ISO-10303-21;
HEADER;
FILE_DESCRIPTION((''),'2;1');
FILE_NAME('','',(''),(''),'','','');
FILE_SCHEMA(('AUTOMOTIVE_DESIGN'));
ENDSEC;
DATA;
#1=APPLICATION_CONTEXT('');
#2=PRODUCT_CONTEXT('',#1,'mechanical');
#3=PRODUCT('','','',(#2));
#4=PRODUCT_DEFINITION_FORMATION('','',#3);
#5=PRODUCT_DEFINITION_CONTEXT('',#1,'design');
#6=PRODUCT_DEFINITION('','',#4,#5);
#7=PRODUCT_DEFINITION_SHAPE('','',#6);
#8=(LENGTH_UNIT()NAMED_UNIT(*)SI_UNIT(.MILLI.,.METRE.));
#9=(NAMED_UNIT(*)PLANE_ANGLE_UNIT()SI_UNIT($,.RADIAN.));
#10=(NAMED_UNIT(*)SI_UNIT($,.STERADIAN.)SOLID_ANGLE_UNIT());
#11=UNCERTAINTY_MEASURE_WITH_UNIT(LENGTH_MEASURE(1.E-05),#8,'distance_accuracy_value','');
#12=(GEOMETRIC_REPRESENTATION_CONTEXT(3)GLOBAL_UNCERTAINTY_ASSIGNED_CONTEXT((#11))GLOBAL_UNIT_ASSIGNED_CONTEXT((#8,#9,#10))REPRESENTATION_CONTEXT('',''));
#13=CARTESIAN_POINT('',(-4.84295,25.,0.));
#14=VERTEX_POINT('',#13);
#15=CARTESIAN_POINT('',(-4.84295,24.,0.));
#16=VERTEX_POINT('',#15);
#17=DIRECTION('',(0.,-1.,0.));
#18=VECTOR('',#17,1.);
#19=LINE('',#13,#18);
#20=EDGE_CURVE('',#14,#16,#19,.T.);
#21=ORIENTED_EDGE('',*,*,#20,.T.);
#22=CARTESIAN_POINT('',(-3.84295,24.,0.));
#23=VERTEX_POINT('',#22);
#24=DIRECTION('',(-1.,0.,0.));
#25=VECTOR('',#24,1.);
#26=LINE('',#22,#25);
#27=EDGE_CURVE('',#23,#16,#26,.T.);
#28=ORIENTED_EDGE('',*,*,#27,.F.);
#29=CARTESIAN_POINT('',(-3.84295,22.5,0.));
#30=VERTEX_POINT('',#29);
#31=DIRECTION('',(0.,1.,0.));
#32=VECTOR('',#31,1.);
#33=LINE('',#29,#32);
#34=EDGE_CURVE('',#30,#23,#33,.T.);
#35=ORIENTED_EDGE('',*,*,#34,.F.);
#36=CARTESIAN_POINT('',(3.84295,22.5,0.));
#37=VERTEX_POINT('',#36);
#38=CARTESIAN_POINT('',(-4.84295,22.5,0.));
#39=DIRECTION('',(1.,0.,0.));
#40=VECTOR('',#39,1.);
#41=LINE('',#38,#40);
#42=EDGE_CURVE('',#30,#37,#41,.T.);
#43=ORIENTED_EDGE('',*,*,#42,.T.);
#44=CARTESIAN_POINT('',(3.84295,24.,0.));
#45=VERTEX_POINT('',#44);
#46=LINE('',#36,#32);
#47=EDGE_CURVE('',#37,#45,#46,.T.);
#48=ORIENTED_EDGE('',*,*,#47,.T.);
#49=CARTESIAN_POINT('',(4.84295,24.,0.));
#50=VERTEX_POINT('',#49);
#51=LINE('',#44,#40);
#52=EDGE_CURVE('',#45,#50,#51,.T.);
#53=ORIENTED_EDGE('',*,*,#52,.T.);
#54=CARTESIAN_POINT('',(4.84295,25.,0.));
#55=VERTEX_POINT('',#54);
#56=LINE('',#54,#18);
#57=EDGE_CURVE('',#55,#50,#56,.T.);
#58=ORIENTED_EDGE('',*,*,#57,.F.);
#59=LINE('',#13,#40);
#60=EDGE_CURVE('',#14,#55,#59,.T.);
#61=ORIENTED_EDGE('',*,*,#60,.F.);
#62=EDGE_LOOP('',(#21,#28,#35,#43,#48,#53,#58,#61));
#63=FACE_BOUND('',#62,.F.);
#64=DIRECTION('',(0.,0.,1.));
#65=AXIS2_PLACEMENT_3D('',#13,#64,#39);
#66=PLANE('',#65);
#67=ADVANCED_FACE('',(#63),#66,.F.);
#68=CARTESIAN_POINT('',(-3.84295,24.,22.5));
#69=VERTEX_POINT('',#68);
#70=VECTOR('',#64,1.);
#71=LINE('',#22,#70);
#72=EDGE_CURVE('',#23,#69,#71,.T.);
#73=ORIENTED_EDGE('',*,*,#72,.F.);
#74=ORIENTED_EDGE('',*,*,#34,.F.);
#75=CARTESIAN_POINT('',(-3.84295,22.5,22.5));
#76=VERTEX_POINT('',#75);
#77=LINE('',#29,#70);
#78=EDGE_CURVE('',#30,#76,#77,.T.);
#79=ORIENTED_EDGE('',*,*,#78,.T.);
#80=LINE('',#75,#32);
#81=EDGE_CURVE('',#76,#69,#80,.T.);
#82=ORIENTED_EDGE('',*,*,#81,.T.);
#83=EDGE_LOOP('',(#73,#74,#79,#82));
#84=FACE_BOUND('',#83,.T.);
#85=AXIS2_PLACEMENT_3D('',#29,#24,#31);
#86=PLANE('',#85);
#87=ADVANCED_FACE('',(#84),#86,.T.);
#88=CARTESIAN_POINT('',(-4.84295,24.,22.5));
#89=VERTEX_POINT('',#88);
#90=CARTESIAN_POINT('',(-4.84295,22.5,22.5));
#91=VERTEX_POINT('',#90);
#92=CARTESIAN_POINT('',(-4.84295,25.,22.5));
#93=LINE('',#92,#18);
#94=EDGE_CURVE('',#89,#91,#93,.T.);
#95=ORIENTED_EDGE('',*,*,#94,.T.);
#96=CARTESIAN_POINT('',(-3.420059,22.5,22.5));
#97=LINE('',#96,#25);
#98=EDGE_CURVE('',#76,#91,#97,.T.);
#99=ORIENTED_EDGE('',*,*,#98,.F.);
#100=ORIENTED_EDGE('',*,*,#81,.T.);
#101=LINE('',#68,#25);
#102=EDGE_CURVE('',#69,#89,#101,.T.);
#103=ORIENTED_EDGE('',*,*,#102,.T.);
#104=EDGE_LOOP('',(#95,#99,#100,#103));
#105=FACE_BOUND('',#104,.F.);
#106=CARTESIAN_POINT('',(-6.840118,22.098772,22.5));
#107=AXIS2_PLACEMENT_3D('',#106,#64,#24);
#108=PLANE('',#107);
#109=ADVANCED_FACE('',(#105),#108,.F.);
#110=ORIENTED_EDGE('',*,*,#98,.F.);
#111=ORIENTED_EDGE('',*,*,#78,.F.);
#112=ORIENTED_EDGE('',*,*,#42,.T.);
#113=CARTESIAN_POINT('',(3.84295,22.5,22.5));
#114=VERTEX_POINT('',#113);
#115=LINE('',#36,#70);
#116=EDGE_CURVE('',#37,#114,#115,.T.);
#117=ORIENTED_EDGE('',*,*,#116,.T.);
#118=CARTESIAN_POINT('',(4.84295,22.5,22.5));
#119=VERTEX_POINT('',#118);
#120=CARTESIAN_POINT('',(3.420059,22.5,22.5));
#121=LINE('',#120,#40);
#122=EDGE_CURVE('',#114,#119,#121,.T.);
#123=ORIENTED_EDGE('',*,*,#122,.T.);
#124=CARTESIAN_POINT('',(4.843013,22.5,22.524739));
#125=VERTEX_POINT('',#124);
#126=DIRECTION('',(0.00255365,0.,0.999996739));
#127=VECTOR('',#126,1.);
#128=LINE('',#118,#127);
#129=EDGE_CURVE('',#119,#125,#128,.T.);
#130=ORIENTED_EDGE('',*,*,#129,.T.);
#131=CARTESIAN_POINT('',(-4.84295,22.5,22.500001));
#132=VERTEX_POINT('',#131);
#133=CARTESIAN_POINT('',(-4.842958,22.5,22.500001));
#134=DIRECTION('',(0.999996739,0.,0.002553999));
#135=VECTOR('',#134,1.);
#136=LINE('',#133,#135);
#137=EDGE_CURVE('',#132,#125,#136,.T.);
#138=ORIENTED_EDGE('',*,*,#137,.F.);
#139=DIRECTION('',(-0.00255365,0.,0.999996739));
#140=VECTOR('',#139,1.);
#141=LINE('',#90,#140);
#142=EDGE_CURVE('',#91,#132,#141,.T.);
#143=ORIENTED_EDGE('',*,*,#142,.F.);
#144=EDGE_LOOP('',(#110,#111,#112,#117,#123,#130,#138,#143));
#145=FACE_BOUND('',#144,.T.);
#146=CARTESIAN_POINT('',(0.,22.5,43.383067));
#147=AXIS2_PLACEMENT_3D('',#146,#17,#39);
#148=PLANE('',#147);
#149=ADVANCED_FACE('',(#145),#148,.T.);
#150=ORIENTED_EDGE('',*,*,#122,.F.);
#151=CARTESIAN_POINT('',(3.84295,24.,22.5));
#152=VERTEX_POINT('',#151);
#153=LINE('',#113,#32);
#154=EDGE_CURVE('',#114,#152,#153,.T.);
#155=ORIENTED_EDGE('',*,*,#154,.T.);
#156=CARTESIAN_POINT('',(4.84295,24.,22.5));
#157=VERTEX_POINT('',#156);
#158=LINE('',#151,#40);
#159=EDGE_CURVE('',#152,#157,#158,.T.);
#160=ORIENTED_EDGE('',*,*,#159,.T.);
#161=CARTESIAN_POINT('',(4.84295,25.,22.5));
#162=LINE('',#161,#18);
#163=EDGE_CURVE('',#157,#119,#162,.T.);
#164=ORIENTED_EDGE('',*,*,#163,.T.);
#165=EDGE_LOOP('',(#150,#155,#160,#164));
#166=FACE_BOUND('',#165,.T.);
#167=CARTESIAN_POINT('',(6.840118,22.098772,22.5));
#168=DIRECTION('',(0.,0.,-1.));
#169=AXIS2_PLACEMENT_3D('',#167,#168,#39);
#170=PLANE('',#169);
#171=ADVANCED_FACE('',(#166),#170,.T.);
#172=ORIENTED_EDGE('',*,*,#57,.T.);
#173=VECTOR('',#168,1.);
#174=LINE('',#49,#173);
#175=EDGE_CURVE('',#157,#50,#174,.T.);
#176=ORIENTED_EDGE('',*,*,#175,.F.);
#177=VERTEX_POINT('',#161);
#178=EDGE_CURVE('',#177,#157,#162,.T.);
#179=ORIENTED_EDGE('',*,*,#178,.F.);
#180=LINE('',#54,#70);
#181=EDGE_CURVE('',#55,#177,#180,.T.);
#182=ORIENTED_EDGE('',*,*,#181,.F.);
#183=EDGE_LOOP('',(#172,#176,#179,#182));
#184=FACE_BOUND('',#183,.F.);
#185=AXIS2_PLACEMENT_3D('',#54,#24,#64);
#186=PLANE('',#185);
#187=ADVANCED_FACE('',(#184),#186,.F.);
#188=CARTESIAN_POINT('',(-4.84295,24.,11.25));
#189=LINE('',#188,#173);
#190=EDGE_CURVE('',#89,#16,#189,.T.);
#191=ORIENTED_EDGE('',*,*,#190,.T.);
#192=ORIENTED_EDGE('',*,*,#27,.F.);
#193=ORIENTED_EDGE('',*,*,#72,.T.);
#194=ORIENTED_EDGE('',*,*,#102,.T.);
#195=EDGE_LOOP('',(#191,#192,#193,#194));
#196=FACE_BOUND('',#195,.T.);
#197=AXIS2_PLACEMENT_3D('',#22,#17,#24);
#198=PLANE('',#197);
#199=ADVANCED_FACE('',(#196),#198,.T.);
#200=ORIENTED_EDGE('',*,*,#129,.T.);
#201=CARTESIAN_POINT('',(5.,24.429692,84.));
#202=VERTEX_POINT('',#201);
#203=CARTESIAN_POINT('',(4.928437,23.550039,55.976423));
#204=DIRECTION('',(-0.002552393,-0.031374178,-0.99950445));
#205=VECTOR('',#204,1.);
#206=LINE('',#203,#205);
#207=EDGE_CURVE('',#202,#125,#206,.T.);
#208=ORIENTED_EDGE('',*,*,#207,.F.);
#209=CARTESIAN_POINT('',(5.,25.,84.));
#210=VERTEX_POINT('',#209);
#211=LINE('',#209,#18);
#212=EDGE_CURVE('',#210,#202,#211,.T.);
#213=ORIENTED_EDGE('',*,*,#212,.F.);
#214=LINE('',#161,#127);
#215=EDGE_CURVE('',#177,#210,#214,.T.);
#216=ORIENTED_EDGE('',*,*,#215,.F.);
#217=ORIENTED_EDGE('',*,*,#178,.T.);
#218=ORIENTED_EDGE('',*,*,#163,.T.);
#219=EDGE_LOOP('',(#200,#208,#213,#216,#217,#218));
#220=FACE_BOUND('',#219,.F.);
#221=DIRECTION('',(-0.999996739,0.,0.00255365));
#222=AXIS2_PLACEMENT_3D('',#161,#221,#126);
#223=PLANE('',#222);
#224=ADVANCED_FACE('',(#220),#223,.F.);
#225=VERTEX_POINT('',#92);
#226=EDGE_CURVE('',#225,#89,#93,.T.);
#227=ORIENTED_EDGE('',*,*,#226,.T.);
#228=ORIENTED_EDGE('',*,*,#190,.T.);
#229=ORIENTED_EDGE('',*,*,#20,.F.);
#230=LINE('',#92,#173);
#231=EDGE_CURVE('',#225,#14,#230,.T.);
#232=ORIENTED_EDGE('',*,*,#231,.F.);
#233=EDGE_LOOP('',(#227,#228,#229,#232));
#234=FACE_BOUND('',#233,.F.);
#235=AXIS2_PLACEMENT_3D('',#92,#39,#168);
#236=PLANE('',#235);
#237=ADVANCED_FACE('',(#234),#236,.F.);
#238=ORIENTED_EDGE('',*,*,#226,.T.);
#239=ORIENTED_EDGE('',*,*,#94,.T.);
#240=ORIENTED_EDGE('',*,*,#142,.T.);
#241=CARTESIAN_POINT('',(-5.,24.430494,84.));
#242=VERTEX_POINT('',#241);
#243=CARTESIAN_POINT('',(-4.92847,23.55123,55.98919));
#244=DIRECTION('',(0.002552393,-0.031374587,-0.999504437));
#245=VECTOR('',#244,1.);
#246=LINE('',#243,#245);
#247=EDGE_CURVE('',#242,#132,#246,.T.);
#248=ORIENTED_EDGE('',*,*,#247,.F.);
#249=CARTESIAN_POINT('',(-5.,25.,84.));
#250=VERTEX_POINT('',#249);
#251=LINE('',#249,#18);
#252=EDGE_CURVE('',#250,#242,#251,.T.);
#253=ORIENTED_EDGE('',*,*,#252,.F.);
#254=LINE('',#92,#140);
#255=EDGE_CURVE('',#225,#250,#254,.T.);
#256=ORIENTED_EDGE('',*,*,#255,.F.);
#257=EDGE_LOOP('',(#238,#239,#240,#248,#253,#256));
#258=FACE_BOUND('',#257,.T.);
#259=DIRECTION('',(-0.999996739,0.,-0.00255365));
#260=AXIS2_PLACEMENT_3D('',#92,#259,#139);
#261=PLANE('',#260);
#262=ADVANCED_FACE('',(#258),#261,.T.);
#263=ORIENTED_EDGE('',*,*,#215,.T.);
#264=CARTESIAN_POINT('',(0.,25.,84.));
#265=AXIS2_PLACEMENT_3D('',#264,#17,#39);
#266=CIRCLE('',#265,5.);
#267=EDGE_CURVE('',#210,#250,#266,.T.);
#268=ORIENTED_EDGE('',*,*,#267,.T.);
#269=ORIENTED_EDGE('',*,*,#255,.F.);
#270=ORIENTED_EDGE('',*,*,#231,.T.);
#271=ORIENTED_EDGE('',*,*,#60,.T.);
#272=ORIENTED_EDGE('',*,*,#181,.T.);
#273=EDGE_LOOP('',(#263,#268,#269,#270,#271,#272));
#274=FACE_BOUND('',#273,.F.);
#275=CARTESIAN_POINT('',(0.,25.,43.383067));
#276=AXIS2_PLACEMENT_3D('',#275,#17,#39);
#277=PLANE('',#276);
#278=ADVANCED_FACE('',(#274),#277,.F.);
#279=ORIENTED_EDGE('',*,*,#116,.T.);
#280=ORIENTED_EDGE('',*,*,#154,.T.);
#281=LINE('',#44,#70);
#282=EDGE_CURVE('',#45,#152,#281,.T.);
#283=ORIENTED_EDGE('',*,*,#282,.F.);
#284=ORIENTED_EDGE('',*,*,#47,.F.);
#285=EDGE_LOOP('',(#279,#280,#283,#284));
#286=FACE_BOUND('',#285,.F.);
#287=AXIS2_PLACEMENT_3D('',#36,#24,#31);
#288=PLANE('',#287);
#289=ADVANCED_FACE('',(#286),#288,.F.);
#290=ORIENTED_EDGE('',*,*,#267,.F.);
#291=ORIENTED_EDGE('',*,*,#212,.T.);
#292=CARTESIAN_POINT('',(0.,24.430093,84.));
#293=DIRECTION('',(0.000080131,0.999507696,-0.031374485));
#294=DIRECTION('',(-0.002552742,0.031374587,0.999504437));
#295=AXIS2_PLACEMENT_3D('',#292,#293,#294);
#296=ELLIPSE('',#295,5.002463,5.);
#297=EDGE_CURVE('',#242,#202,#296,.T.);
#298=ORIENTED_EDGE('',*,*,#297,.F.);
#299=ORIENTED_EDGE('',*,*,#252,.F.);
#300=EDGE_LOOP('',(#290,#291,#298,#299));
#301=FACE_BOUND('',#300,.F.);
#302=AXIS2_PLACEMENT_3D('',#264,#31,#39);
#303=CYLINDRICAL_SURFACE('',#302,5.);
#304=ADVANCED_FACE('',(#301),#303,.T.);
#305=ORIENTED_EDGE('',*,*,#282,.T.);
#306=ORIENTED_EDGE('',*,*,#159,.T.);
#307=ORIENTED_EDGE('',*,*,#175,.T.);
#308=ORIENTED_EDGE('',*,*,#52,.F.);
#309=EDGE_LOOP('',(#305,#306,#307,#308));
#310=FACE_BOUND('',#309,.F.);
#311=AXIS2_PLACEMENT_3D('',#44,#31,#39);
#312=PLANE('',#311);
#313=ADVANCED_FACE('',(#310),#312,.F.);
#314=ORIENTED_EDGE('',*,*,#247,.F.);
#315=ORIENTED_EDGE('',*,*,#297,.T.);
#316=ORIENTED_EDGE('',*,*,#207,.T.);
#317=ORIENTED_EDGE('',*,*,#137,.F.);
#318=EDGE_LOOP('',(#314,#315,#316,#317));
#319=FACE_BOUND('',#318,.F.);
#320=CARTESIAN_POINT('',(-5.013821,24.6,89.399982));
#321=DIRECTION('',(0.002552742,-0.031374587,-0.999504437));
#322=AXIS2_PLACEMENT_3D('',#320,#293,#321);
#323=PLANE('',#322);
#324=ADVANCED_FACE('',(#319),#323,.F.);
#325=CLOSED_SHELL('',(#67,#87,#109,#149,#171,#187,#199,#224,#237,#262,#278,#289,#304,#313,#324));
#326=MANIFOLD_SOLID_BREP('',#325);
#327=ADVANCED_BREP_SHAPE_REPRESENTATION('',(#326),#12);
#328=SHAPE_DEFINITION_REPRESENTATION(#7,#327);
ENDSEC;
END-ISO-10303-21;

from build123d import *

# Parameters (mm, degrees)
PAD003_DEPTH    = 2.5
POCKET004_DEPTH = 22.5
POCKET005_DEPTH = 10.013736


with BuildPart() as part:
    # Sketch010 → Pad003 (new body)
    with BuildSketch(Plane.XZ):
        with BuildLine():
            Line((-4.84295, 0), (4.84295, 0))
            Line((4.84295, 0), (4.84295, 22.5))
            Line((4.84295, 22.5), (5, 84))
            ThreePointArc((5, 84), (0, 89), (-5, 84))
            Line((-4.84295, 22.5), (-5, 84))
            Line((-4.84295, 22.5), (-4.84295, 0))
        make_face()
    extrude(amount=PAD003_DEPTH)

    # Sketch011 (on Face1 of Pad003) → Pocket004 (cut)
    with BuildSketch(Plane(origin=(0, 0, 0), x_dir=(1, 0, 0), z_dir=(0, 0, -1))):
        Polygon((-3.84295, 2.5), (-3.84295, 1), (-8.84295, 1), (-8.84295, 6.001038), align=None)
        Polygon((8.84295, 6.001038), (3.84295, 2.5), (3.84295, 1), (8.84295, 1), align=None)
    extrude(amount=-POCKET004_DEPTH, mode=Mode.SUBTRACT)

    # Sketch012 (on Face12 of Pocket004) → Pocket005 (cut, through all)
    with BuildSketch(Plane(origin=(-4.785462, 0, -0.01222), x_dir=(0.002554, 0, -0.999997), z_dir=(-0.999997, 0, -0.002554))):
        Polygon((-89.412494, 0.4), (-22.512294, 2.5), (-89.412494, 14.23), align=None)
    extrude(amount=-POCKET005_DEPTH, mode=Mode.SUBTRACT)


with BuildPart() as part_1:
    # Body001 placement: moved
    add(part.part.moved(Location((0, 25, 0))))


solid = part_1.part
